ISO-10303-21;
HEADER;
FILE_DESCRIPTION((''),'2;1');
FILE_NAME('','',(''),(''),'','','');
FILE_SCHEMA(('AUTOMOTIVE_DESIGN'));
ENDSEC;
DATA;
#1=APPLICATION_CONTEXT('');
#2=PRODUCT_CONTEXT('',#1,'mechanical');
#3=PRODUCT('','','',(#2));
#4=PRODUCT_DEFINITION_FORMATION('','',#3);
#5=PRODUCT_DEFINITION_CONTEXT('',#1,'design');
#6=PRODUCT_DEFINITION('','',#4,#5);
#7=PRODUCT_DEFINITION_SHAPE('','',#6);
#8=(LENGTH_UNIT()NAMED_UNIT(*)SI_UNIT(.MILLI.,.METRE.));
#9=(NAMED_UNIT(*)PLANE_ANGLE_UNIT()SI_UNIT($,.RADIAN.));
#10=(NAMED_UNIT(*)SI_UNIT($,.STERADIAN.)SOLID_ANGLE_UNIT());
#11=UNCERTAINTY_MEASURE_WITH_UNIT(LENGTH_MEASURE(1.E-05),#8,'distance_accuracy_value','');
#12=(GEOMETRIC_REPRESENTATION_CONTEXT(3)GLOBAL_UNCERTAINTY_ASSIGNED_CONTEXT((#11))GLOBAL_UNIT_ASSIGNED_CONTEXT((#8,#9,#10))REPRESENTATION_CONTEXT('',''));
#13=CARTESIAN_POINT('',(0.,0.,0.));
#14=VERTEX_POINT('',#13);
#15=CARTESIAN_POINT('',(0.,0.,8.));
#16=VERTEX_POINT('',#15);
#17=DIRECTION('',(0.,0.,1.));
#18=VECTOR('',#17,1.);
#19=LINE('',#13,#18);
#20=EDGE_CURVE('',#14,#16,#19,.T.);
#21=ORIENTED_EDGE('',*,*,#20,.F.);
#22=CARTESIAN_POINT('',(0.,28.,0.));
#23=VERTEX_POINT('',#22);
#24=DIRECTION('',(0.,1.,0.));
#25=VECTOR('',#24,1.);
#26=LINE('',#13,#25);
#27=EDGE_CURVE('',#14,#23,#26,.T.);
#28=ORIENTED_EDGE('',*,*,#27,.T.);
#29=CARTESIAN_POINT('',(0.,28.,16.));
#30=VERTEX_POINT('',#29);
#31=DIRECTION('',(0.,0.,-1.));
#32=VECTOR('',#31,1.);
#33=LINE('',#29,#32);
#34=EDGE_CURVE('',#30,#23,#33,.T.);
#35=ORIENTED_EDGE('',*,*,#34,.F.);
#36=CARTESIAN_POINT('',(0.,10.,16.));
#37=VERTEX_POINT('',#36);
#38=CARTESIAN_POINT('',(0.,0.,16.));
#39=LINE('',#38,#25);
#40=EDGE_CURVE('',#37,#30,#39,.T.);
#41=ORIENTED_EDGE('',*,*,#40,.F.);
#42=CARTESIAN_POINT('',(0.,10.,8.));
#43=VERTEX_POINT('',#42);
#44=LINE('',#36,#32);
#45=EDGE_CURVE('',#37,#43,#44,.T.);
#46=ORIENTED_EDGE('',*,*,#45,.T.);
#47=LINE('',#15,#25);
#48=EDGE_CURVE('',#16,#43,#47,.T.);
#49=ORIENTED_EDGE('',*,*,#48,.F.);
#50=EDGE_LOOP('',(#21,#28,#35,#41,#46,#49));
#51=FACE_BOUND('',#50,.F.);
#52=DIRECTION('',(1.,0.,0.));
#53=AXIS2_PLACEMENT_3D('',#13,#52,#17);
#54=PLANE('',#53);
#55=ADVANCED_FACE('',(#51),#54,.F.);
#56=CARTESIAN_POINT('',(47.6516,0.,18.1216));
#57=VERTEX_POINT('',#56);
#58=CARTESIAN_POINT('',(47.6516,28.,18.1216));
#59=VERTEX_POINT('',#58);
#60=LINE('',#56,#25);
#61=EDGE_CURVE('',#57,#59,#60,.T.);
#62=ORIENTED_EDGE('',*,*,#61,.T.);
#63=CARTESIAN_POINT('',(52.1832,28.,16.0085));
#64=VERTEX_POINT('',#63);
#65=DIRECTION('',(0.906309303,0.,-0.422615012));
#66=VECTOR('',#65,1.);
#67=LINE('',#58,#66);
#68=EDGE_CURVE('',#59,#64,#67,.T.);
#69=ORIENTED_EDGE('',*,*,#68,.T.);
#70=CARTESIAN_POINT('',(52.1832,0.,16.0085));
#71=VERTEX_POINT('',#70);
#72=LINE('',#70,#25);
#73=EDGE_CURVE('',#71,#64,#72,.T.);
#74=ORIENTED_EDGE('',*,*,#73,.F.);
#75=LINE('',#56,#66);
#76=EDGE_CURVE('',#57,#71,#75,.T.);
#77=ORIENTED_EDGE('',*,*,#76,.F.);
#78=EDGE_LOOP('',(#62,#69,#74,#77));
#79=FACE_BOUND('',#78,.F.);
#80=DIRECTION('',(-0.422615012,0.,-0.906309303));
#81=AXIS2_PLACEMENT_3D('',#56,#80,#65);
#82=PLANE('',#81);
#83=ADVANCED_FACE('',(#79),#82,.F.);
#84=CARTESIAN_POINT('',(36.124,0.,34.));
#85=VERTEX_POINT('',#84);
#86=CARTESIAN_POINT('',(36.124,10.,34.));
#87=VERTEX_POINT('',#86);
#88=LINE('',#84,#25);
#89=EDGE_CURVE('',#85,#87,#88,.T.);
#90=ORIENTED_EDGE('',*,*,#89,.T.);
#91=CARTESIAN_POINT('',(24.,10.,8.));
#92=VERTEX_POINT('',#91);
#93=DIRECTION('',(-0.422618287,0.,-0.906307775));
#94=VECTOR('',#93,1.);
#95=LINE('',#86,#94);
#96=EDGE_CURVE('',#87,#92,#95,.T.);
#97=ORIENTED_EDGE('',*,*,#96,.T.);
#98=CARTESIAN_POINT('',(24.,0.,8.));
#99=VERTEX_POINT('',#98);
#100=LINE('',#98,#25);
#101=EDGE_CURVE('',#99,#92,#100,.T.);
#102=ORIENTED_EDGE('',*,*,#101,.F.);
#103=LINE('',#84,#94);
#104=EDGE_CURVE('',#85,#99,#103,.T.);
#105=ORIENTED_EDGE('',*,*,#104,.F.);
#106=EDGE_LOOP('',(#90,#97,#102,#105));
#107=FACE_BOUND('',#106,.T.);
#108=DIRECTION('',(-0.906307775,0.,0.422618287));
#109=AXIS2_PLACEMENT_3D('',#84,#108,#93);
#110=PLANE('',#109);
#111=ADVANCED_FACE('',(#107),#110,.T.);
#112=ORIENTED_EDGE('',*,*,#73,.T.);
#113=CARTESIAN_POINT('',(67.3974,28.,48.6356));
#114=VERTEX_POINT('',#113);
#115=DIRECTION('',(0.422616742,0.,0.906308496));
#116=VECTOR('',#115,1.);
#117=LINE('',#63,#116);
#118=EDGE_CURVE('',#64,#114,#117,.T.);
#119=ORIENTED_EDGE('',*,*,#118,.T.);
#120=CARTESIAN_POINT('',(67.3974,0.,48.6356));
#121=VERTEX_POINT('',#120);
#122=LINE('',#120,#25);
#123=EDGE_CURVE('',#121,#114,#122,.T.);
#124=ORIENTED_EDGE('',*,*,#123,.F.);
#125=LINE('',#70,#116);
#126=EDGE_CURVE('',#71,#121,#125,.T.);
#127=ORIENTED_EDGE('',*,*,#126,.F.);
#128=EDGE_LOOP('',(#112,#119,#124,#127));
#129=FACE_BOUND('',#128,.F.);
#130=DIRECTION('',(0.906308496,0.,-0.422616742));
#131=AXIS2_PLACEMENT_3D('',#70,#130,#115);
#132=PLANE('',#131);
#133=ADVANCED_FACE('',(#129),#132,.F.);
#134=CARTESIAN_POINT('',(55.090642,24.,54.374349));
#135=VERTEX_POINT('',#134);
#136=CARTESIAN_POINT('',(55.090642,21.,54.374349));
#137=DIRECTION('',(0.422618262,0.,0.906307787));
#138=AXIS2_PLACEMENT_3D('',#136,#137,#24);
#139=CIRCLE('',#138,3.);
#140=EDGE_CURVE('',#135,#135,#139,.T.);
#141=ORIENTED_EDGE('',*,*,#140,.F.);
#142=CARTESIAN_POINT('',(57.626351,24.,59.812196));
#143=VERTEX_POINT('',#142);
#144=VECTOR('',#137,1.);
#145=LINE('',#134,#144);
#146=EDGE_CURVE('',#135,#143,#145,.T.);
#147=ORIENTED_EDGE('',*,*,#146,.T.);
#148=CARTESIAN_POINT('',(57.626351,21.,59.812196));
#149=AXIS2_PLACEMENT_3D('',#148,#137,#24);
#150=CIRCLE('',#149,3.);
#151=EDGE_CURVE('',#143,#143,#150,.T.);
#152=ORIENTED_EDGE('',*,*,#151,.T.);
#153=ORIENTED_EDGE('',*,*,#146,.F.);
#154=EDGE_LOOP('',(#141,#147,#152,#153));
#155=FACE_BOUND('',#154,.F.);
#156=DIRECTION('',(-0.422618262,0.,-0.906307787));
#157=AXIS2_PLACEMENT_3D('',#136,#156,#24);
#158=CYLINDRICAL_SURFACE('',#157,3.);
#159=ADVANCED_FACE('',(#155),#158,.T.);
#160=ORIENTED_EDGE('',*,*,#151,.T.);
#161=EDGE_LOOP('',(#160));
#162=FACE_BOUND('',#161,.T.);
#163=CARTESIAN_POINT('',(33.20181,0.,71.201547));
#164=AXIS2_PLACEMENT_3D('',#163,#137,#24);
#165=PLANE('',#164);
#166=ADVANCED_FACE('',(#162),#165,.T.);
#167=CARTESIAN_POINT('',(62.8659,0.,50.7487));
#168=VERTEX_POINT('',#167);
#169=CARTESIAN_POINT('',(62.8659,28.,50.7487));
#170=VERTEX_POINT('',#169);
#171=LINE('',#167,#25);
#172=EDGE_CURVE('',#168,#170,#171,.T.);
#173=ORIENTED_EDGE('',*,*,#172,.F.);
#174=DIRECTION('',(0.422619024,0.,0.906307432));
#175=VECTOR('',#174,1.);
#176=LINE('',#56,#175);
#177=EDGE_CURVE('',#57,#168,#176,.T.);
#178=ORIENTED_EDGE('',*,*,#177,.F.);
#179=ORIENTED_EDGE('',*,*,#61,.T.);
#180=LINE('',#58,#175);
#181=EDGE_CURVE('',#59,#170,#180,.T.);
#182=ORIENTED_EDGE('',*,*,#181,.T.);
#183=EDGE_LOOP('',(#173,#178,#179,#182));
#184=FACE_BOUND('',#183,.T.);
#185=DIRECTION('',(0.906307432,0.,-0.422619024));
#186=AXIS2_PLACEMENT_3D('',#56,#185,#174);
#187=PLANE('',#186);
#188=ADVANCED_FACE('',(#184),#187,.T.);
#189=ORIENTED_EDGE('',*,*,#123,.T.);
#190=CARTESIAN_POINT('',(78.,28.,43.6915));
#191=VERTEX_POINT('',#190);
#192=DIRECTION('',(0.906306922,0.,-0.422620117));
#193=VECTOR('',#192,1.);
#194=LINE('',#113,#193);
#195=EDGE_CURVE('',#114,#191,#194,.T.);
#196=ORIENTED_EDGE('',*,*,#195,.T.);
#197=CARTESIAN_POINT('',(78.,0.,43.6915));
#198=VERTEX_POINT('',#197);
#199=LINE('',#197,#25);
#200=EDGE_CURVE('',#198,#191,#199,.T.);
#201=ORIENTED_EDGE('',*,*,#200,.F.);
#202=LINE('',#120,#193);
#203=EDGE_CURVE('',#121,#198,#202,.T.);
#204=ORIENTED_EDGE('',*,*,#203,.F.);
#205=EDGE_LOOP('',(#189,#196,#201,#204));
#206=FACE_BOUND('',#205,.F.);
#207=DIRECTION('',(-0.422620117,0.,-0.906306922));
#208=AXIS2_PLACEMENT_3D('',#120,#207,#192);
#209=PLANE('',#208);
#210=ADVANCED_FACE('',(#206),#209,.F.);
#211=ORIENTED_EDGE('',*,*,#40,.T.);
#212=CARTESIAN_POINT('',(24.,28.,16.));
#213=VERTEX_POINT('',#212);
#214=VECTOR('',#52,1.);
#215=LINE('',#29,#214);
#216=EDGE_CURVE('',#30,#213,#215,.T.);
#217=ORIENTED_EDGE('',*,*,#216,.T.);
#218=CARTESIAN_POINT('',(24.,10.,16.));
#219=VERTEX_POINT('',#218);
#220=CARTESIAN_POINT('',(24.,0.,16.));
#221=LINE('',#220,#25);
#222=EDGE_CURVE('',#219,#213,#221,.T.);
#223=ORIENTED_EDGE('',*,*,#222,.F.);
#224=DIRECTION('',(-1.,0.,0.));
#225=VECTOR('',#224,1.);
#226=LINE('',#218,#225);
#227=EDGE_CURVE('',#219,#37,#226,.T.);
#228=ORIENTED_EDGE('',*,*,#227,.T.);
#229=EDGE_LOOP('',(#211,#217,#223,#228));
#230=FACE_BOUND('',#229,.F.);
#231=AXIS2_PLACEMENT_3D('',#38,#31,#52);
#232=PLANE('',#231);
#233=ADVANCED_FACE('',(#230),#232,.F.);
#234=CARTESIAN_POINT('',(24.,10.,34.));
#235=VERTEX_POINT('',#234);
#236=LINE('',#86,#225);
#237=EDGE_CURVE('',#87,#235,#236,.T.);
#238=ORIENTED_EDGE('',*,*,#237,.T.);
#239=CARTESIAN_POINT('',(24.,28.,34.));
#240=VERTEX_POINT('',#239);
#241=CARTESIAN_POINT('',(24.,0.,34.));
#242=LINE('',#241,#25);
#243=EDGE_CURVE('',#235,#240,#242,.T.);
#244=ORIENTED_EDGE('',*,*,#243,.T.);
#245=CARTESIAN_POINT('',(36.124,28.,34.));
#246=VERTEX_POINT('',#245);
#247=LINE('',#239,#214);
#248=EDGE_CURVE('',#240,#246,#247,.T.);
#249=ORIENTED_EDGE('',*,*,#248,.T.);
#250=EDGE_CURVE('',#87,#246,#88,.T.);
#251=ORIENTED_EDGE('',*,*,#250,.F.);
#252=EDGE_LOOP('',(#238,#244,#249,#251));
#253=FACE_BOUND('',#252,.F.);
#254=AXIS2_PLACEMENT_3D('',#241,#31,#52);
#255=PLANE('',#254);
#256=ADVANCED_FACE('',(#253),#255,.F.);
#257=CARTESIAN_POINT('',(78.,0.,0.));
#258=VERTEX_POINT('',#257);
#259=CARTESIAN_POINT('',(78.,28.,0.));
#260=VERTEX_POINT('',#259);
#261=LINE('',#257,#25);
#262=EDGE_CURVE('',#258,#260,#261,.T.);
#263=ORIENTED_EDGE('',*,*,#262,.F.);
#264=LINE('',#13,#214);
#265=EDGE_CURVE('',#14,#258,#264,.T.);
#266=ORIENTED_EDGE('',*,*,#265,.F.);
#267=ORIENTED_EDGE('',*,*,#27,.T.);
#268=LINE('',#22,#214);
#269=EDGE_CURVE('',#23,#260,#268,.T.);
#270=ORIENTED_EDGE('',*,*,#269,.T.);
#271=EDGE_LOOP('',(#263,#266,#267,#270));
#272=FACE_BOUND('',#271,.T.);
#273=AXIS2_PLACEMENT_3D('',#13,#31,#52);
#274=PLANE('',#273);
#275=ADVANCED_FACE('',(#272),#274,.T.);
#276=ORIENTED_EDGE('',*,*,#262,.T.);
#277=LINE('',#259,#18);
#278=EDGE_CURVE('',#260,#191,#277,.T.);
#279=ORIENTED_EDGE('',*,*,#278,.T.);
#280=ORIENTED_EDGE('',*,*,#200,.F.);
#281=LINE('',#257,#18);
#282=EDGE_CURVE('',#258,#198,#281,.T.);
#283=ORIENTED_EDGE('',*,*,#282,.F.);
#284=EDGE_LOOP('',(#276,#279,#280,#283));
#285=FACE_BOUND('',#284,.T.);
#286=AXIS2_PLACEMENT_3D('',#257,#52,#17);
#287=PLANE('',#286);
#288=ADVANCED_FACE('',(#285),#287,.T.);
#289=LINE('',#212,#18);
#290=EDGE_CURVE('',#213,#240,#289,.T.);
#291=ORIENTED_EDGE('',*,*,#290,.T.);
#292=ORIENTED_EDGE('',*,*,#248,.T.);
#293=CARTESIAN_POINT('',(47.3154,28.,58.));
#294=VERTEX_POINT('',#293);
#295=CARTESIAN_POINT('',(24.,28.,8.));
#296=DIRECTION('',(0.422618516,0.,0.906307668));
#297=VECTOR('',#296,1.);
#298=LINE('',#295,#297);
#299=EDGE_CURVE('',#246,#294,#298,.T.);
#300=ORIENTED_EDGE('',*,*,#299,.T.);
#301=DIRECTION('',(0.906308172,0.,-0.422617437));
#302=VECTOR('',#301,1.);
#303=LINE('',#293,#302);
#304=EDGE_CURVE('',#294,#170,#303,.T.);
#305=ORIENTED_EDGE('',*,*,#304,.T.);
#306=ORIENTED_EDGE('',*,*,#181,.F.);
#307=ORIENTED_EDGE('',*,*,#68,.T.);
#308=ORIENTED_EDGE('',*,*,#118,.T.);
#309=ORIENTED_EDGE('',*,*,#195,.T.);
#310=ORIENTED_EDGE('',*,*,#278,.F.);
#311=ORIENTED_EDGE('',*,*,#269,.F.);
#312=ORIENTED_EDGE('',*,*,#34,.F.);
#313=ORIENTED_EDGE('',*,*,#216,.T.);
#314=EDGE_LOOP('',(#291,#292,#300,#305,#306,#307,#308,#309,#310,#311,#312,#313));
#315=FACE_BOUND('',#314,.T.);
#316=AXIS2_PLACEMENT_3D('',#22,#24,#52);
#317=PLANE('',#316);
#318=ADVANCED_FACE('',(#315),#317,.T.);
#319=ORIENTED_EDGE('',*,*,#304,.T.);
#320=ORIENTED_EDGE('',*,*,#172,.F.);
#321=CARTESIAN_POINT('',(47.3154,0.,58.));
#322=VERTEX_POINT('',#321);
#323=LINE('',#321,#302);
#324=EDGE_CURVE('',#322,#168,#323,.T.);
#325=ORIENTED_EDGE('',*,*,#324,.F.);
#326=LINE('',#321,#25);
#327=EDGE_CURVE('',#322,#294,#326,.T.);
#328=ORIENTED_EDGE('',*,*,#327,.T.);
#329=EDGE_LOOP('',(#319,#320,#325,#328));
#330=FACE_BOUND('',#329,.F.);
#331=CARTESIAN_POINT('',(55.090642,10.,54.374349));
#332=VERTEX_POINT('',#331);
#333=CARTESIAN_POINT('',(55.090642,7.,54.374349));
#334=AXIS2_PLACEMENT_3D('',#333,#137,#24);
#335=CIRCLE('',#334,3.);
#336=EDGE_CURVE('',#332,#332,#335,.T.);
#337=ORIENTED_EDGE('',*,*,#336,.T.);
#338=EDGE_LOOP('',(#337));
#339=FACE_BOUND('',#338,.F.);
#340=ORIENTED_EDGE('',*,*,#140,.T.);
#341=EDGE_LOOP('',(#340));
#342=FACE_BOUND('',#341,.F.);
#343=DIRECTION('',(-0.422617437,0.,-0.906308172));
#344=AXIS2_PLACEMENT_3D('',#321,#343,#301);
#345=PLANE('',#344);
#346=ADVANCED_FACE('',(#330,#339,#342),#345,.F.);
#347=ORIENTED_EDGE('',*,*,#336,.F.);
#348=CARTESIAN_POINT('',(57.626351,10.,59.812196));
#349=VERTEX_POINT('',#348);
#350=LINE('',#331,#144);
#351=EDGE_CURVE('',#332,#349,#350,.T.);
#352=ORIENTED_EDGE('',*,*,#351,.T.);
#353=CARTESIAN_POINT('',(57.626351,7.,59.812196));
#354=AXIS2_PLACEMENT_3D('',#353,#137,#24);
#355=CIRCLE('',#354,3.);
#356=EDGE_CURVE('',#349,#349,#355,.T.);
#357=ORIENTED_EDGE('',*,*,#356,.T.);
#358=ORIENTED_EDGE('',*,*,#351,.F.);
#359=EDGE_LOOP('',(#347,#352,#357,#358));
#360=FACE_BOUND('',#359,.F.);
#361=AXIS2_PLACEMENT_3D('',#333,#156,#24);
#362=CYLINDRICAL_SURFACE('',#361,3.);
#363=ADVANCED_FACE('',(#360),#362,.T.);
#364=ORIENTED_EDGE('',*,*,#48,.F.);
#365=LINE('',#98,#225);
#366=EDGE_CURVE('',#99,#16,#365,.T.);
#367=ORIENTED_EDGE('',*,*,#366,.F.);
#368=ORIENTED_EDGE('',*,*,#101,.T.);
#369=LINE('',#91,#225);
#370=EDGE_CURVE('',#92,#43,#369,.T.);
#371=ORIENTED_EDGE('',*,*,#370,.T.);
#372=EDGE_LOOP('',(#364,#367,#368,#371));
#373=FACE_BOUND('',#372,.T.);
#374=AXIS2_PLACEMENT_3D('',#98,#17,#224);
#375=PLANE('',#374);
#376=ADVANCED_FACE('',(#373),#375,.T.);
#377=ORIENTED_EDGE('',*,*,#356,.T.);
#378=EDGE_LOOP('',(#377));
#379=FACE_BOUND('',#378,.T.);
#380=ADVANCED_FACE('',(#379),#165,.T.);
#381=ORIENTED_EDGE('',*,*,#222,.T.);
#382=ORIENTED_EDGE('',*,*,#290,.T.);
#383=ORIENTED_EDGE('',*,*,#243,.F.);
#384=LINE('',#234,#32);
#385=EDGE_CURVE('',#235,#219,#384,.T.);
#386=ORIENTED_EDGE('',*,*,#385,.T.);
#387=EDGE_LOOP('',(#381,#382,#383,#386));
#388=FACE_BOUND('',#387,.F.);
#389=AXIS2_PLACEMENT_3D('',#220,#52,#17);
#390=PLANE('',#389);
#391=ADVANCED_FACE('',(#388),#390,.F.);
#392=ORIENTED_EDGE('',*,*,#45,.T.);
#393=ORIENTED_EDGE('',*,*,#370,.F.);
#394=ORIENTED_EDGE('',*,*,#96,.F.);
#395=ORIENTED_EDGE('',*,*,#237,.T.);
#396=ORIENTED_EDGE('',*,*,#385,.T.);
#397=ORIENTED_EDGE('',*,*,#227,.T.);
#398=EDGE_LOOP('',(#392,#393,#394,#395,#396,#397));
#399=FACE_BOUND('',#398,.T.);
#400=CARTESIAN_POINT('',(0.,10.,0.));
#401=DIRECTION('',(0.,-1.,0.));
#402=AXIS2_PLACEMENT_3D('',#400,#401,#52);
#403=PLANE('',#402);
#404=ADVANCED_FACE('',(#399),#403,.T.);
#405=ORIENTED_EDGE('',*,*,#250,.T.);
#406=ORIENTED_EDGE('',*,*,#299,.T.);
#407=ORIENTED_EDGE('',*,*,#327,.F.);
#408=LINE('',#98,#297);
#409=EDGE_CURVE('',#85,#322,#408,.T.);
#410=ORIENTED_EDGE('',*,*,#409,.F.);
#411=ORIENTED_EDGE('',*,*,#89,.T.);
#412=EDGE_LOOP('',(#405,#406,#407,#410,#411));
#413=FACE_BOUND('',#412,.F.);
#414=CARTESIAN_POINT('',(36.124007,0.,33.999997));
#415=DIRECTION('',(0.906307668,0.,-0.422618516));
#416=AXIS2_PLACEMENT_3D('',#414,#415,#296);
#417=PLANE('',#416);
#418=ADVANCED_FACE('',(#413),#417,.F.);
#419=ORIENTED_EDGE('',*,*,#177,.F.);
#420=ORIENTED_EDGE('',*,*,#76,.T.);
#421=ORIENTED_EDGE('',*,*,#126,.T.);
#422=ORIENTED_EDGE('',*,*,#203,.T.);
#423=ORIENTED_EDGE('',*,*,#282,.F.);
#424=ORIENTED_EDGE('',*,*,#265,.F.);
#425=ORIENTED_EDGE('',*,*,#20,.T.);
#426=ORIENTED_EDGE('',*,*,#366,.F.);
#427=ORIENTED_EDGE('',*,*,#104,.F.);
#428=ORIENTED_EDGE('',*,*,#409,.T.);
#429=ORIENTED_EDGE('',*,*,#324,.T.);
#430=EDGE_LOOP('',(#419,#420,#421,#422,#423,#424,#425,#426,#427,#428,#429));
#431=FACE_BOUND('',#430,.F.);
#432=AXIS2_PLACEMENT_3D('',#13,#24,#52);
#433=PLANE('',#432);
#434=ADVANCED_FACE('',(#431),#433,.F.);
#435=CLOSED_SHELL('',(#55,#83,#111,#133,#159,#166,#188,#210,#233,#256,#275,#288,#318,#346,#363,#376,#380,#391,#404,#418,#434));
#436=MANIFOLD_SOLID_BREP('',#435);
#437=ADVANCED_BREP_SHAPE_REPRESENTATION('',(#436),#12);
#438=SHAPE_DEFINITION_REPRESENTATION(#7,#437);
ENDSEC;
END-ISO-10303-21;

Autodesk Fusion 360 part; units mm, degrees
sketch "Sketch1" plane through (0, 0, 0) normal (0, 1, 0) x (1, 0, 0)
  line L0 (0, 0) -> (78, 0)
  line L1 (0, 0) -> (0, -8)
  line L2 (0, -8) -> (24, -8)
  line L3 (24, -8) -> (47.3154, -58)
  line L4 (47.3154, -58) -> (62.8659, -50.7487)
  line L5 (47.6516, -18.1216) -> (52.1832, -16.0085)
  line L6 (52.1832, -16.0085) -> (67.3974, -48.6356)
  line L7 (78, 0) -> (78, -43.6915)
  line L8 (67.3974, -48.6356) -> (78, -43.6915)
  line L9 (0, -8) -> (0, -16)
  line L10 (0, -16) -> (24, -16)
  line L11 (24, -16) -> (24, -34)
  line L12 (47.6516, -18.1216) -> (62.8659, -50.7487)
  line L13 (24, -34) -> (36.124, -34)
  dimension "d1" = 78
  dimension "d2" = 8
  dimension "d3" = 24
  dimension "d4" = 8
  dimension "d5" = 24
  dimension "d6" = 18
  dimension "d7" = 65
  dimension "d8" = 36
  dimension "d9" = 50
  dimension "d10" = 36
  dimension "d11" = 36
  dimension "d12" = 5
  dimension "d13" = 17.1581
extrude "Extrude1" add sketch "Sketch1" along normal blind 28
sketch "Sketch2" plane through (0, 0, 0) normal (0, -1, 0) x (1, 0, 0)
  line L0 (0, 16) -> (0, 0)
  line L1 (0, 0) -> (78, 0)
  line L2 (78, 0) -> (78, 43.6915)
  line L3 (78, 43.6915) -> (67.3974, 48.6356)
  line L4 (67.3974, 48.6356) -> (52.1832, 16.0085)
  line L5 (52.1832, 16.0085) -> (47.6516, 18.1216)
  line L6 (47.6516, 18.1216) -> (62.8659, 50.7487)
  line L7 (62.8659, 50.7487) -> (47.3154, 58)
  line L8 (47.3154, 58) -> (36.124, 34)
  line L9 (36.124, 34) -> (24, 34)
  line L10 (24, 34) -> (24, 16)
  line L11 (24, 16) -> (0, 16)
  line L12 (0, 0) -> (24, 0) construction
  line L13 (24, 0) -> (24, 8) construction
  line L14 (24, 16) -> (0, 16) construction
  line L15 (0, 16) -> (0, 0) construction
  line L16 (24, 0) -> (0, 0) construction
  line L17 (0, 0) -> (0, 8) construction
  line L18 (0, 8) -> (24, 8) construction
  line L19 (24, 8) -> (24, 0) construction
  line L20 (24, 16) -> (24, 34) construction
  line L21 (24, 34) -> (36.124, 34) construction
  line L22 (36.124, 34) -> (24, 8) construction
  line L23 (0, 8) -> (0, 16)
  line L24 (0, 16) -> (24, 16)
  line L25 (24, 16) -> (24, 34)
  line L26 (24, 34) -> (36.124, 34)
  line L27 (36.124, 34) -> (24, 8)
  line L28 (24, 8) -> (0, 8)
  dimension "d16" = 8
extrude "Extrude2" cut sketch "Sketch2" against normal blind 10 contours L0 L9 L10 L11 L23 L24 L25 L26 L27 L28
sketch "Sketch3" plane through (30.6661, 0, 65.7637) normal (0.4226, 0, 0.9063) x (0, 1, 0)
  line L0 (0, -18.3704) -> (0, -35.5285)
  line L1 (0, -35.5285) -> (28, -35.5285)
  line L2 (28, -35.5285) -> (28, -18.3704)
  line L3 (28, -18.3704) -> (0, -18.3704)
  line L4 (0, -18.3704) -> (28, -18.3704) construction
  line L5 (28, -18.3704) -> (28, -35.5285) construction
  line L6 (28, -35.5285) -> (0, -35.5285) construction
  line L7 (0, -35.5285) -> (0, -18.3704) construction
  line L8 (0, -35.5285) -> (28, -35.5285) construction
  line L9 (28, -35.5285) -> (28, -26.9495) construction
  line L10 (28, -26.9495) -> (0, -26.9495) construction
  line L11 (0, -26.9495) -> (0, -35.5285) construction
  line L12 (0, -26.9495) -> (28, -26.9495) construction
  line L13 (28, -26.9495) -> (28, -34.4495) construction
  line L14 (28, -34.4495) -> (0, -34.4495) construction
  line L15 (0, -34.4495) -> (0, -26.9495) construction
  line L16 (0, -26.9495) -> (28, -26.9495) construction
  line L17 (28, -26.9495) -> (28, -19.4495) construction
  line L18 (28, -19.4495) -> (0, -19.4495) construction
  line L19 (0, -19.4495) -> (0, -26.9495) construction
  line L20 (0, -35.5285) -> (7, -35.5285) construction
  line L21 (7, -35.5285) -> (7, -18.3704) construction
  line L22 (7, -18.3704) -> (0, -18.3704) construction
  line L23 (0, -18.3704) -> (0, -35.5285) construction
  line L24 (28, -35.5285) -> (21, -35.5285) construction
  line L25 (21, -35.5285) -> (21, -18.3704) construction
  line L26 (21, -18.3704) -> (28, -18.3704) construction
  line L27 (28, -18.3704) -> (28, -35.5285) construction
  circle A0 centre (7, -26.9495) radius 3
  circle A1 centre (21, -26.9495) radius 3
  dimension "d19" = 28
  dimension "d20" = 7.5
  dimension "d21" = 28
  dimension "d22" = 7.5
  dimension "d23" = 7
  dimension "d24" = 7
  dimension "d25" = 6
  dimension "d26" = 6
extrude "Extrude3" add sketch "Sketch3" along normal blind 6 contours A0 | A1
